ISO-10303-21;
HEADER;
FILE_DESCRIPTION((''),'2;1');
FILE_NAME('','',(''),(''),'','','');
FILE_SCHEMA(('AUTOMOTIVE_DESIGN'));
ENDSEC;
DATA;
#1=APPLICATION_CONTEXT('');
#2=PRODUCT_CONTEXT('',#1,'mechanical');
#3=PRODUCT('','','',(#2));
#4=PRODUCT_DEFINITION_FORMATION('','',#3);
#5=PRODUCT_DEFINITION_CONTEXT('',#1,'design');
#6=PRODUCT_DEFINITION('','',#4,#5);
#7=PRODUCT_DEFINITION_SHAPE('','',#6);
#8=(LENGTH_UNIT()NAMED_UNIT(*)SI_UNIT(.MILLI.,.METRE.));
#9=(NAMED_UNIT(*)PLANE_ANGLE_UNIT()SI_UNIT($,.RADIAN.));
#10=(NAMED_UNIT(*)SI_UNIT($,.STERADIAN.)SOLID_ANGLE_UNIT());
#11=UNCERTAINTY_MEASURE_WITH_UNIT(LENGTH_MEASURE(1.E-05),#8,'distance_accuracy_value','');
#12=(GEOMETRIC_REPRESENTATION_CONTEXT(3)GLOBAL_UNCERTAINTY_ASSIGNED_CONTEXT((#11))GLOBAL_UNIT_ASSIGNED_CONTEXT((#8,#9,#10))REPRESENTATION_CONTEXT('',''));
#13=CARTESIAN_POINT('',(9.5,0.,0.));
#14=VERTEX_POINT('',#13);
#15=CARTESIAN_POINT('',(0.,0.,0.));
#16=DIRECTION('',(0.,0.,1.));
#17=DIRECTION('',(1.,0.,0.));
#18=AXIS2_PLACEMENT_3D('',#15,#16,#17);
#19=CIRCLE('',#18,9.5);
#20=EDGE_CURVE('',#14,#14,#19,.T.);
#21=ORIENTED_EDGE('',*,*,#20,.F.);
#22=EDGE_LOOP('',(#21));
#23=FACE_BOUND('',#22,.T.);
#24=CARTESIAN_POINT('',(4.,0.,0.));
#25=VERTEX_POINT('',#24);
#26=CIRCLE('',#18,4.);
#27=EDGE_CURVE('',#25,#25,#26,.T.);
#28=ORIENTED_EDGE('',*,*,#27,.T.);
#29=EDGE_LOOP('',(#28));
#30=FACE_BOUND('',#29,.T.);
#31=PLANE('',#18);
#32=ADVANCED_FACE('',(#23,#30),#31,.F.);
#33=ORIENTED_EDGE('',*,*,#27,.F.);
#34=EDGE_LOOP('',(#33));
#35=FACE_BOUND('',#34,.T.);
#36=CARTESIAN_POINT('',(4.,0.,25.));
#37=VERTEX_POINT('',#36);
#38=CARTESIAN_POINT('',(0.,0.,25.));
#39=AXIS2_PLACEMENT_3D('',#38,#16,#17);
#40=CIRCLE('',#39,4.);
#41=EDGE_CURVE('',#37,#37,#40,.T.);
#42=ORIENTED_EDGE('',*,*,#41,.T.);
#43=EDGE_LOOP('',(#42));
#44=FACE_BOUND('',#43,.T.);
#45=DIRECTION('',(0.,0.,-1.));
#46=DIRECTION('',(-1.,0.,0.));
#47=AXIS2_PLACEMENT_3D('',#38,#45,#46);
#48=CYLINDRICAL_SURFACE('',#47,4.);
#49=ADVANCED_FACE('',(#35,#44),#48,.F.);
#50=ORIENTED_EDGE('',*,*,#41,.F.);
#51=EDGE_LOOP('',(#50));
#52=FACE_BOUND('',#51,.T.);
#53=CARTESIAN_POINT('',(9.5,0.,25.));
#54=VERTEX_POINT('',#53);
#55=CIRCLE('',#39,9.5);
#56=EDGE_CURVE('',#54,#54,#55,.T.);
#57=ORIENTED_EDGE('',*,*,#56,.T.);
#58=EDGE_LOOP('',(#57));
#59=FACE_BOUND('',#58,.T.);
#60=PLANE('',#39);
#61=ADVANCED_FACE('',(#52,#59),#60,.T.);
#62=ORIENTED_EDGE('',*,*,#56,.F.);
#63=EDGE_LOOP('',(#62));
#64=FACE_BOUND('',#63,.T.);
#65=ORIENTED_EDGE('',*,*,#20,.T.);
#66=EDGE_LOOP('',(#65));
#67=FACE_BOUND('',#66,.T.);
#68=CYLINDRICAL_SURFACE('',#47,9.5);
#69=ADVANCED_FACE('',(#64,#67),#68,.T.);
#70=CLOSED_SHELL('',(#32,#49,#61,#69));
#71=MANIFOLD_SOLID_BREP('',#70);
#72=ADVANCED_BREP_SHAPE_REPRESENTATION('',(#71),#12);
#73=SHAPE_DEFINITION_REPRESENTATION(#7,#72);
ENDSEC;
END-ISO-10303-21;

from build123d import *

# Parameters (mm, degrees)
SKETCH1_R           = 9.5
SKETCH1_R_2         = 4
BOSS_EXTRUDE1_DEPTH = 25


with BuildPart() as part:
    # Sketch1 → Boss-Extrude1 (new body)
    with BuildSketch(Plane.XY):
        Circle(SKETCH1_R)
        Circle(SKETCH1_R_2, mode=Mode.SUBTRACT)
    extrude(amount=BOSS_EXTRUDE1_DEPTH)


solid = part.part
